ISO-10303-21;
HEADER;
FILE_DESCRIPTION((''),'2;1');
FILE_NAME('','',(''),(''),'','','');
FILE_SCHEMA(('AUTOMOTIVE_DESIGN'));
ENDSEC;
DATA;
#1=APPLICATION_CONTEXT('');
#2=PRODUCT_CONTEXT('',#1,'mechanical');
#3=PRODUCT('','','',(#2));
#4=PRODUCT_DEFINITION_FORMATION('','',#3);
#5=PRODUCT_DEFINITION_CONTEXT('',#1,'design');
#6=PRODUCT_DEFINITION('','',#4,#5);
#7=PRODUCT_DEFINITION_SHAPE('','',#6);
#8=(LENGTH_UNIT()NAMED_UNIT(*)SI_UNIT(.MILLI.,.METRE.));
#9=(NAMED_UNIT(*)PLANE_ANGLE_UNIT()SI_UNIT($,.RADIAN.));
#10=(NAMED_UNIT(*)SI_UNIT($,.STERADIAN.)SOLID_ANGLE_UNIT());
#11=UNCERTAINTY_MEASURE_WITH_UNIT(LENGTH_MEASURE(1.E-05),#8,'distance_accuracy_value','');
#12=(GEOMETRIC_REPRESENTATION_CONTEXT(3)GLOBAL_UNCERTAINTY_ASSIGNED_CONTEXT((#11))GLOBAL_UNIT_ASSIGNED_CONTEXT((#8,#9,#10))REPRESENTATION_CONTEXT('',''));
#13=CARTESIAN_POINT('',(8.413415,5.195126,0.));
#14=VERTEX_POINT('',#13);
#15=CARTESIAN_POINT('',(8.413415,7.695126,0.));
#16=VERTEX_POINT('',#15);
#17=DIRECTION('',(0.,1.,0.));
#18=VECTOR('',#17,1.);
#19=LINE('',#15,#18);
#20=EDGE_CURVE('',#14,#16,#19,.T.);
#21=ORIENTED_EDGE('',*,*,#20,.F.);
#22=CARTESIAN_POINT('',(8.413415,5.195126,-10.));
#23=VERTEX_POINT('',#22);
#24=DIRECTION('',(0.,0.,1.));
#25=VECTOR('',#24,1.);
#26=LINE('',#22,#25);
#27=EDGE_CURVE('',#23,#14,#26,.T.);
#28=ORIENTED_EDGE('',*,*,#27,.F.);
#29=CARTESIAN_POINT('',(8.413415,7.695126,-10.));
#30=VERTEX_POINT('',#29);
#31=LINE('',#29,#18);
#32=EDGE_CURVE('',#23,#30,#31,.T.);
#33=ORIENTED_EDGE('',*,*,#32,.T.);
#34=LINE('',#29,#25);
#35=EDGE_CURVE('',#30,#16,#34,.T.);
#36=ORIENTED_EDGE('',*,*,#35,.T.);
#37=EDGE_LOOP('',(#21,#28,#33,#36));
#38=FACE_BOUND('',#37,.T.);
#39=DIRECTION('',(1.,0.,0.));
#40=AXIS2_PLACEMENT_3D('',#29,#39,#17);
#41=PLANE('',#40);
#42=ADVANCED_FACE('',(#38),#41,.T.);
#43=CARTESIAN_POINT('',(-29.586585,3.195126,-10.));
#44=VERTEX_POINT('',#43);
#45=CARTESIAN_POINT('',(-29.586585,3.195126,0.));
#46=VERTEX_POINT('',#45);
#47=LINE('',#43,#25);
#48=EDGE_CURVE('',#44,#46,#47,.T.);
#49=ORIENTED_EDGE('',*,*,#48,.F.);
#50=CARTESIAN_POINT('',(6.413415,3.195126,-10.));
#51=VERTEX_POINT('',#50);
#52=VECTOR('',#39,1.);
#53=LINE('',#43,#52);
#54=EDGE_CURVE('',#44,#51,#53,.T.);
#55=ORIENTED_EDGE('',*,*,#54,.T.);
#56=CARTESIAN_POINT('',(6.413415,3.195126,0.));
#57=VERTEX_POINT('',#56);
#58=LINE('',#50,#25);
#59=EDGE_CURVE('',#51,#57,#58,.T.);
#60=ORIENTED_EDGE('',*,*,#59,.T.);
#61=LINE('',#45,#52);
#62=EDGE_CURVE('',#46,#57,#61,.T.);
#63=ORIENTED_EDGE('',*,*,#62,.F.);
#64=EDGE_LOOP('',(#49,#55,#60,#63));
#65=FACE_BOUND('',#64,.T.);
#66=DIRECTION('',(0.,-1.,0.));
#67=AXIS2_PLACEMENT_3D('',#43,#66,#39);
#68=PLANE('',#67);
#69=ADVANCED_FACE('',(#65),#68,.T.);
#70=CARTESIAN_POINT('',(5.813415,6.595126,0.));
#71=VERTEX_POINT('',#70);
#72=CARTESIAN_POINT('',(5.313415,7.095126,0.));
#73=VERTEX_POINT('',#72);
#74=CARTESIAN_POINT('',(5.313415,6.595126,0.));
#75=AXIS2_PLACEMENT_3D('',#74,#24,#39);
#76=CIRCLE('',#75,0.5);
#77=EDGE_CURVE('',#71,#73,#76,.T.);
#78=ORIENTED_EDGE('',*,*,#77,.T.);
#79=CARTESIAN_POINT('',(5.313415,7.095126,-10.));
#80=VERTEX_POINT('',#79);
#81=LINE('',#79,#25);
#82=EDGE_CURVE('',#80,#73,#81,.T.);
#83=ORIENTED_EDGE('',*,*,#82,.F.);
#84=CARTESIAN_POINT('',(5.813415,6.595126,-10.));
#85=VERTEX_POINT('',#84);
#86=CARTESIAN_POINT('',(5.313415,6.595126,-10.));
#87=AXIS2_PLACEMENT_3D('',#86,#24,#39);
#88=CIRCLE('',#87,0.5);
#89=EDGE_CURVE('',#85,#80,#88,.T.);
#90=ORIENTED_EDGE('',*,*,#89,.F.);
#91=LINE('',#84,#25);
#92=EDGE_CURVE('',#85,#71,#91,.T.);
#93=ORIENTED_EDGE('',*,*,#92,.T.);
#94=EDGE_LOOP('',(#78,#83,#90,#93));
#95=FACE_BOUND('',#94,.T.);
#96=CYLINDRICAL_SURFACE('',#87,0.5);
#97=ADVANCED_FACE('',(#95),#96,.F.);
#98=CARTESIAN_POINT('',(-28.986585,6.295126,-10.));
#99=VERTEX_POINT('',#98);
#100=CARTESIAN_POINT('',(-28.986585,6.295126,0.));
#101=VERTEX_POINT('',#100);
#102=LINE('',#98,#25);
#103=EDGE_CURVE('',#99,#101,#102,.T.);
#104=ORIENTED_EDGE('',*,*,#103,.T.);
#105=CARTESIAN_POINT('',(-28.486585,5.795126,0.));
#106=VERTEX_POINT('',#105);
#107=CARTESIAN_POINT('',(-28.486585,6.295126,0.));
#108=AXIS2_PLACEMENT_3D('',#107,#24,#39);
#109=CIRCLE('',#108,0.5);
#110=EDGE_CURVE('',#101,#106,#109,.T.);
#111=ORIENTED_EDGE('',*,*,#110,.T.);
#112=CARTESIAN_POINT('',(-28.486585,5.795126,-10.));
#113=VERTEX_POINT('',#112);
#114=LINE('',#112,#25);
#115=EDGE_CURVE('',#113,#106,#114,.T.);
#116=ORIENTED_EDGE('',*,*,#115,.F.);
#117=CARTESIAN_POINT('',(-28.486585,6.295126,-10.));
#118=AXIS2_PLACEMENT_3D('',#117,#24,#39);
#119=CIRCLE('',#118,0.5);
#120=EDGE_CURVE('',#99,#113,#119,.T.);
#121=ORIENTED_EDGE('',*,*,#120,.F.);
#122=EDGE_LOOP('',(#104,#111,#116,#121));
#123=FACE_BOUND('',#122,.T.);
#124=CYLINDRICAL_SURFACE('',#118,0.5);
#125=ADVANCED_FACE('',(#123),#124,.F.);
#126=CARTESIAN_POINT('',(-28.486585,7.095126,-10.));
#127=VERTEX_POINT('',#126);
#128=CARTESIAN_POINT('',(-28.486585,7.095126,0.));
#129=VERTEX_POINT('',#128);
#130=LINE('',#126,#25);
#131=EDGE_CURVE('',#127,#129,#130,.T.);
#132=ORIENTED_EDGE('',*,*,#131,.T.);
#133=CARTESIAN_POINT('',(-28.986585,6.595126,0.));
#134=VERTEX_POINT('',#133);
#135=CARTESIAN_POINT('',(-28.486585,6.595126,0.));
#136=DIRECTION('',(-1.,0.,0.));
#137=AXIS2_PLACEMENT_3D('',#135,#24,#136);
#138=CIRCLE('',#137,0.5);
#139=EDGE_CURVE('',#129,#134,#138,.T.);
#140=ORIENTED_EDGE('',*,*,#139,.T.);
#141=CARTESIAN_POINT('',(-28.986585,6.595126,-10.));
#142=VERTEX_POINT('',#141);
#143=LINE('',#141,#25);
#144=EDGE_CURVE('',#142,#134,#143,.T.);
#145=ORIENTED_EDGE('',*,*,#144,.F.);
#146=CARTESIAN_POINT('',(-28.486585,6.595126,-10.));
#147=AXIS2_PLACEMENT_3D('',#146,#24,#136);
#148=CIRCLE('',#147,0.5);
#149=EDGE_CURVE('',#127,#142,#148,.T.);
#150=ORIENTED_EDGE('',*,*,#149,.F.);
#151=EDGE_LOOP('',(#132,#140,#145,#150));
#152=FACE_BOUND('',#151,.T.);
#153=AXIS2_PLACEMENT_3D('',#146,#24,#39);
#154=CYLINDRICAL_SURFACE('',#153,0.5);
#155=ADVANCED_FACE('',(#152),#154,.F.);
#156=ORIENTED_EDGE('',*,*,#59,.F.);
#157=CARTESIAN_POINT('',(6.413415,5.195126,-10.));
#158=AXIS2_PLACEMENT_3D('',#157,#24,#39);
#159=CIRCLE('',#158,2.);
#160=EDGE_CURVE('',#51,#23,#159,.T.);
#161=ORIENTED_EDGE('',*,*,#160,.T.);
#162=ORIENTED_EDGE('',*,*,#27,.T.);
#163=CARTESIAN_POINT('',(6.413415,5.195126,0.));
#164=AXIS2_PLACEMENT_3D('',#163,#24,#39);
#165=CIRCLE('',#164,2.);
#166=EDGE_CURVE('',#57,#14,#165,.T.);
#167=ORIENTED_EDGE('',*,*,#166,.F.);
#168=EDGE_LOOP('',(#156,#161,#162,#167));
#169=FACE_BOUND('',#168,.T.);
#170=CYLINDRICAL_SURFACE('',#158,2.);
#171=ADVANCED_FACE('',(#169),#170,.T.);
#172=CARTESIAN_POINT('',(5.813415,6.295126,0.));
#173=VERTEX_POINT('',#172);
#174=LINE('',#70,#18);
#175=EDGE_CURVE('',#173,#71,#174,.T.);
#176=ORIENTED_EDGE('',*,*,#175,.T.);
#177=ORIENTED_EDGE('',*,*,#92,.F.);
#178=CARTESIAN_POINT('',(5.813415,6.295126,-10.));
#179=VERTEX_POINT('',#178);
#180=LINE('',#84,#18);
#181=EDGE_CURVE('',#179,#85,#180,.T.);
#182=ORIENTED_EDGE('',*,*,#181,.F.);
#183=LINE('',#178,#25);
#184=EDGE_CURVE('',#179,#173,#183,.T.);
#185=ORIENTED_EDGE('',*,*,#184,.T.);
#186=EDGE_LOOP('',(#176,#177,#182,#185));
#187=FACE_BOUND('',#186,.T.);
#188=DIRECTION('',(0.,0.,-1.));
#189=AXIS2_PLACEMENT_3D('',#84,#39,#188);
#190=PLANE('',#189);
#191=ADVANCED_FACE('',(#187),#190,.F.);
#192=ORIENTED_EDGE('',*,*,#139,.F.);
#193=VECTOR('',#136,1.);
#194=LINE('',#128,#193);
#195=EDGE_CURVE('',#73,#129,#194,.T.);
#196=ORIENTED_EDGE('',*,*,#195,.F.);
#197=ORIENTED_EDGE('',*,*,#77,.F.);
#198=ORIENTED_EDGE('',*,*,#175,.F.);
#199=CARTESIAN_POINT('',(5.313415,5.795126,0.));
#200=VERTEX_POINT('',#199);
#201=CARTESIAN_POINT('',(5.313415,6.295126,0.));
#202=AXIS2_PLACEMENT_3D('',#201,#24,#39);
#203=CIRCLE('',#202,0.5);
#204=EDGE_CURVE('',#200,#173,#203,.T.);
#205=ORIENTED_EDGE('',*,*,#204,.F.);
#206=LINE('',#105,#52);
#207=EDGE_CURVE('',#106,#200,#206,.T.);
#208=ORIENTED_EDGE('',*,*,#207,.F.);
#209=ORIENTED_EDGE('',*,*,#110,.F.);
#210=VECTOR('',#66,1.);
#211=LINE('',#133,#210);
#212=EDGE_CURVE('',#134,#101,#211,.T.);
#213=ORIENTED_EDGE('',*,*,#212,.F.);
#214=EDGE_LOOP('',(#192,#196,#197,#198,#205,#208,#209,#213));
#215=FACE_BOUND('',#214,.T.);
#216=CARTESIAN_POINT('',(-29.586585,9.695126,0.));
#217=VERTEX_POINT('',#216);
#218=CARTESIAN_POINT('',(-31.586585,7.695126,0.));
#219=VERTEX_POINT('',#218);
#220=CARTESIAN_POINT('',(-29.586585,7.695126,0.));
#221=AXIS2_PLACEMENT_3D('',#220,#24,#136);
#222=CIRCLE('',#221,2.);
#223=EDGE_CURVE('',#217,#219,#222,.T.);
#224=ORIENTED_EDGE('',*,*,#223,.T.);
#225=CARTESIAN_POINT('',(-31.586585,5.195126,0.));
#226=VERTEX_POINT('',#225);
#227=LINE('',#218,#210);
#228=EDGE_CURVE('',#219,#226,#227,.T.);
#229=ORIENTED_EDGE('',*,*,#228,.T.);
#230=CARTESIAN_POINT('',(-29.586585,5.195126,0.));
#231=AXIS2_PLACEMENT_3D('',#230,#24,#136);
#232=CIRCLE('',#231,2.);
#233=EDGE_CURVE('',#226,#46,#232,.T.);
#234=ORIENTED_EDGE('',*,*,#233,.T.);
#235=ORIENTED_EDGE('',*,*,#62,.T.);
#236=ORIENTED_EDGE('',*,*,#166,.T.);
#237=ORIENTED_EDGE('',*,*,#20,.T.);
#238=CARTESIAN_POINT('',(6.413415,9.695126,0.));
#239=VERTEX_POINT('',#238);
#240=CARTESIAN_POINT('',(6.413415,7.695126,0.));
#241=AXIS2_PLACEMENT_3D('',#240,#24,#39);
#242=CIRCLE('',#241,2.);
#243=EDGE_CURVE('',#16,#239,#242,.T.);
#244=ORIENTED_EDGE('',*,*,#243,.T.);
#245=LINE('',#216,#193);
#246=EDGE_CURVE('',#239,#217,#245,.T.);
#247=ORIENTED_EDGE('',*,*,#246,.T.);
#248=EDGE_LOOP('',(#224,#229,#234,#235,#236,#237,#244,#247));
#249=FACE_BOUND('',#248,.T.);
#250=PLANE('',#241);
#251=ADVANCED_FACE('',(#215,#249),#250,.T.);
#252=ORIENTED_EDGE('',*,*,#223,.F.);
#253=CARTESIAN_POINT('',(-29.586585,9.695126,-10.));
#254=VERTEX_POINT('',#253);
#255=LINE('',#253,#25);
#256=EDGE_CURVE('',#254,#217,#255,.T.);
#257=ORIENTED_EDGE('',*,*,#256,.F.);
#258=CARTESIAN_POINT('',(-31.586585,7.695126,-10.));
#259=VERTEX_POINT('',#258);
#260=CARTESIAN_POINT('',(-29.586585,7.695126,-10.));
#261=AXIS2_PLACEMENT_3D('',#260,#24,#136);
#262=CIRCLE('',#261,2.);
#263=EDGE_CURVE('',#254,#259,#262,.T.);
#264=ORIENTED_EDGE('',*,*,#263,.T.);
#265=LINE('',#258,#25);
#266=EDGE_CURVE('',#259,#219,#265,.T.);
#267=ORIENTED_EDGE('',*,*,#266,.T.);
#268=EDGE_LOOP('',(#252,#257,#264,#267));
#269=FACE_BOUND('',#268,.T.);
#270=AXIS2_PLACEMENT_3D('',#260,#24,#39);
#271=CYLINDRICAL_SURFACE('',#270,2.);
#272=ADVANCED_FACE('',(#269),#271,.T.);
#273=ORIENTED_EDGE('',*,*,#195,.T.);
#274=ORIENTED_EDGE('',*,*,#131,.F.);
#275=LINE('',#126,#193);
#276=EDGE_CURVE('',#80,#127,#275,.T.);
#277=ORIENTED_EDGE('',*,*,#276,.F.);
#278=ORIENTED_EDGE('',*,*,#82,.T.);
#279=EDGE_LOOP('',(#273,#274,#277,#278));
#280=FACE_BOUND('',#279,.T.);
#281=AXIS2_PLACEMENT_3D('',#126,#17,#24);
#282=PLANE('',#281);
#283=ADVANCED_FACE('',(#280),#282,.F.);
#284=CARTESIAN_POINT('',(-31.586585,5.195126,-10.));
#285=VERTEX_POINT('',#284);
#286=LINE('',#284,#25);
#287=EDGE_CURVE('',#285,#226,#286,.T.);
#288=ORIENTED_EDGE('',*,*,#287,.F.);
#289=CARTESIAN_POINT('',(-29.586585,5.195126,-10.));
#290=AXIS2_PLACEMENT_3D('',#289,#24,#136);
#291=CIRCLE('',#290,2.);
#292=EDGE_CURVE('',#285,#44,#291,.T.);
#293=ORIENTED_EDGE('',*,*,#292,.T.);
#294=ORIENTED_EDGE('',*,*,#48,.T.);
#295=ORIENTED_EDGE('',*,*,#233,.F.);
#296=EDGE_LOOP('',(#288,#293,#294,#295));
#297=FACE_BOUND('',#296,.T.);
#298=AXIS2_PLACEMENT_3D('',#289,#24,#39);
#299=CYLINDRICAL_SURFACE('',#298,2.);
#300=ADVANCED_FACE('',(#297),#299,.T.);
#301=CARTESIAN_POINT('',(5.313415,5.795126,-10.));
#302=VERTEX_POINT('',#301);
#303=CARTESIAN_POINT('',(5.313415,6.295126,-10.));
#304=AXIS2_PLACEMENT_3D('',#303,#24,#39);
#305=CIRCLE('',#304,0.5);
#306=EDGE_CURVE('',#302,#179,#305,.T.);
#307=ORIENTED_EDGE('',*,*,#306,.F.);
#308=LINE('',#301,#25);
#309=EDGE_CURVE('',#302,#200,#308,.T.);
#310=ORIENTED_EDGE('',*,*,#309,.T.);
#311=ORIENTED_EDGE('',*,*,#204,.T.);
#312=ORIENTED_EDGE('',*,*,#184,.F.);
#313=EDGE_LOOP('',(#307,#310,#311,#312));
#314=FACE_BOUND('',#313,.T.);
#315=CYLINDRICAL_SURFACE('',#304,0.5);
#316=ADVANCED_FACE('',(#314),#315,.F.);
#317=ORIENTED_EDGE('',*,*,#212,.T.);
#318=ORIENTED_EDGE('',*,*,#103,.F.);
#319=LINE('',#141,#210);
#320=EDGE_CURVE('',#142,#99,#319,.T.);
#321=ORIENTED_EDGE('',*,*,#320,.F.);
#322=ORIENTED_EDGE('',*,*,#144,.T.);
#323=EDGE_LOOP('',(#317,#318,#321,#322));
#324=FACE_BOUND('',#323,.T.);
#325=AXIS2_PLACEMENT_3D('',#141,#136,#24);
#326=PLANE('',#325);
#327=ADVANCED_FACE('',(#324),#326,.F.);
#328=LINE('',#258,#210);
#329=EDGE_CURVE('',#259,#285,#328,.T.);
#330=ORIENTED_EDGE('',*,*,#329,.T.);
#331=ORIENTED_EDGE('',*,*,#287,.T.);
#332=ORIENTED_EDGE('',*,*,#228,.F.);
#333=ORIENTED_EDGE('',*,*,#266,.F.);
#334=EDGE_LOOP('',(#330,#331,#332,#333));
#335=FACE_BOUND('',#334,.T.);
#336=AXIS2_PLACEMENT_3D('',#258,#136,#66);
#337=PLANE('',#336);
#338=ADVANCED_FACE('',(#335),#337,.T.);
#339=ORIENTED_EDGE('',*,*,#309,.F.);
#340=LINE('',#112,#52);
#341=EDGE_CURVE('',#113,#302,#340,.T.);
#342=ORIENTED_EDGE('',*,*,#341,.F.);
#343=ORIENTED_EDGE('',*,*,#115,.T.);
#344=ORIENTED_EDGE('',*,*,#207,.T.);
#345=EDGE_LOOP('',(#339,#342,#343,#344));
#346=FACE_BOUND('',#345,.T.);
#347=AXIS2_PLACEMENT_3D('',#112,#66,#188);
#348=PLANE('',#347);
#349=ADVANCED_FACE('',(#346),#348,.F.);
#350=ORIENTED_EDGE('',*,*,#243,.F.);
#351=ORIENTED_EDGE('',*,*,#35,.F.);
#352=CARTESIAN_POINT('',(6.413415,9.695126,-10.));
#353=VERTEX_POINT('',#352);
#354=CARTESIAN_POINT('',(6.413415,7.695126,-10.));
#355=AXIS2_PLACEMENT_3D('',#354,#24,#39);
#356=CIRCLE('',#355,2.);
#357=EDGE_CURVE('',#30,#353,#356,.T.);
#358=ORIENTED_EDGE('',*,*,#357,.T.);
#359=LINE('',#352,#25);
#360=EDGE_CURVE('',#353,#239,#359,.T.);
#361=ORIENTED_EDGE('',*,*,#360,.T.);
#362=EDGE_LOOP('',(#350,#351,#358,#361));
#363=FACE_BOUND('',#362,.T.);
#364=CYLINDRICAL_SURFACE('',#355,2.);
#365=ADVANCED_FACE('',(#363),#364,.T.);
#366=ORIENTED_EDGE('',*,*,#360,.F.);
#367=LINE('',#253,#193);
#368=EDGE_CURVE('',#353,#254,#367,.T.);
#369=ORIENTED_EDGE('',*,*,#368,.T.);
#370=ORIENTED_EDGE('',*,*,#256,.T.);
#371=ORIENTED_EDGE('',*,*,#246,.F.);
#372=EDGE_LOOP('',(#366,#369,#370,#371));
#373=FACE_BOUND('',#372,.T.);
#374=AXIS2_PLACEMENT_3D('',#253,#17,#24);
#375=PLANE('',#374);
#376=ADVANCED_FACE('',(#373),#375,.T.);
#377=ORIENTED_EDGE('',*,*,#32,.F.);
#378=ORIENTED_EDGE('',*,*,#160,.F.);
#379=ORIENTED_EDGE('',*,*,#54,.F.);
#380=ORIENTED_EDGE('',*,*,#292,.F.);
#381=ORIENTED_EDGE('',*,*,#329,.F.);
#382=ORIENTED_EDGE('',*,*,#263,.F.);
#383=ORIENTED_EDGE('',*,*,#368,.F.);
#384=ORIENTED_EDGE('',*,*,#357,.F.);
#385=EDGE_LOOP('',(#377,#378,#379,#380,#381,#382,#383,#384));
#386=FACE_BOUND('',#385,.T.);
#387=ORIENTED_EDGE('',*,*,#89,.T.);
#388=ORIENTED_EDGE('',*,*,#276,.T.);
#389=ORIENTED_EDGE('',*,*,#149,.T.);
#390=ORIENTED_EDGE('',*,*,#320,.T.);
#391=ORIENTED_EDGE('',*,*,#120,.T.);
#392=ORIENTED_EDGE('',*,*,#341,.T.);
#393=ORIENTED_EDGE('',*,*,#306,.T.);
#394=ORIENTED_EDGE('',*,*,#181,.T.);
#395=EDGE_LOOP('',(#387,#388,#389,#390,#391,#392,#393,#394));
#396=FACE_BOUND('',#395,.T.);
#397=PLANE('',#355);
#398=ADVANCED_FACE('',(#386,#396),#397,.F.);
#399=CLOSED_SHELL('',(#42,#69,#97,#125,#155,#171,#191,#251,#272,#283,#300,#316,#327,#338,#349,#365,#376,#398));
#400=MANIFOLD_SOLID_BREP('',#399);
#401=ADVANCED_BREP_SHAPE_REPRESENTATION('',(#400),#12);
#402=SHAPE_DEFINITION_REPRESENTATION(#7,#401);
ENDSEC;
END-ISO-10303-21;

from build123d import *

# Parameters (mm, degrees)
EXTRUSION1_DEPTH = 10


with BuildPart() as part:
    # Esquisse1 → Extrusion1 (new body)
    with BuildSketch(Plane.XY):
        with BuildLine():
            Line((-29.586584832, 9.695126149), (6.413415168, 9.695126149))
            ThreePointArc((6.413415168, 9.695126149), (7.82762873, 9.109339712), (8.413415168, 7.695126149))
            Line((8.413415168, 7.695126149), (8.413415168, 5.195126149))
            ThreePointArc((8.413415168, 5.195126149), (7.82762873, 3.780912587), (6.413415168, 3.195126149))
            Line((6.413415168, 3.195126149), (-29.586584832, 3.195126149))
            ThreePointArc((-29.586584832, 3.195126149), (-31.000798394, 3.780912587), (-31.586584832, 5.195126149))
            Line((-31.586584832, 5.195126149), (-31.586584832, 7.695126149))
            ThreePointArc((-31.586584832, 7.695126149), (-31.000798394, 9.109339712), (-29.586584832, 9.695126149))
        make_face()
        with BuildLine():
            Line((-28.486584832, 7.095126149), (5.313415168, 7.095126149))
            ThreePointArc((5.313415168, 7.095126149), (5.666968559, 6.94867954), (5.813415168, 6.595126149))
            Line((5.813415168, 6.595126149), (5.813415168, 6.295126149))
            ThreePointArc((5.813415168, 6.295126149), (5.666968559, 5.941572759), (5.313415168, 5.795126149))
            Line((5.313415168, 5.795126149), (-28.486584832, 5.795126149))
            ThreePointArc((-28.486584832, 5.795126149), (-28.840138222, 5.941572759), (-28.986584832, 6.295126149))
            Line((-28.986584832, 6.295126149), (-28.986584832, 6.595126149))
            ThreePointArc((-28.986584832, 6.595126149), (-28.840138222, 6.94867954), (-28.486584832, 7.095126149))
        make_face(mode=Mode.SUBTRACT)
    extrude(amount=-EXTRUSION1_DEPTH)


solid = part.part
